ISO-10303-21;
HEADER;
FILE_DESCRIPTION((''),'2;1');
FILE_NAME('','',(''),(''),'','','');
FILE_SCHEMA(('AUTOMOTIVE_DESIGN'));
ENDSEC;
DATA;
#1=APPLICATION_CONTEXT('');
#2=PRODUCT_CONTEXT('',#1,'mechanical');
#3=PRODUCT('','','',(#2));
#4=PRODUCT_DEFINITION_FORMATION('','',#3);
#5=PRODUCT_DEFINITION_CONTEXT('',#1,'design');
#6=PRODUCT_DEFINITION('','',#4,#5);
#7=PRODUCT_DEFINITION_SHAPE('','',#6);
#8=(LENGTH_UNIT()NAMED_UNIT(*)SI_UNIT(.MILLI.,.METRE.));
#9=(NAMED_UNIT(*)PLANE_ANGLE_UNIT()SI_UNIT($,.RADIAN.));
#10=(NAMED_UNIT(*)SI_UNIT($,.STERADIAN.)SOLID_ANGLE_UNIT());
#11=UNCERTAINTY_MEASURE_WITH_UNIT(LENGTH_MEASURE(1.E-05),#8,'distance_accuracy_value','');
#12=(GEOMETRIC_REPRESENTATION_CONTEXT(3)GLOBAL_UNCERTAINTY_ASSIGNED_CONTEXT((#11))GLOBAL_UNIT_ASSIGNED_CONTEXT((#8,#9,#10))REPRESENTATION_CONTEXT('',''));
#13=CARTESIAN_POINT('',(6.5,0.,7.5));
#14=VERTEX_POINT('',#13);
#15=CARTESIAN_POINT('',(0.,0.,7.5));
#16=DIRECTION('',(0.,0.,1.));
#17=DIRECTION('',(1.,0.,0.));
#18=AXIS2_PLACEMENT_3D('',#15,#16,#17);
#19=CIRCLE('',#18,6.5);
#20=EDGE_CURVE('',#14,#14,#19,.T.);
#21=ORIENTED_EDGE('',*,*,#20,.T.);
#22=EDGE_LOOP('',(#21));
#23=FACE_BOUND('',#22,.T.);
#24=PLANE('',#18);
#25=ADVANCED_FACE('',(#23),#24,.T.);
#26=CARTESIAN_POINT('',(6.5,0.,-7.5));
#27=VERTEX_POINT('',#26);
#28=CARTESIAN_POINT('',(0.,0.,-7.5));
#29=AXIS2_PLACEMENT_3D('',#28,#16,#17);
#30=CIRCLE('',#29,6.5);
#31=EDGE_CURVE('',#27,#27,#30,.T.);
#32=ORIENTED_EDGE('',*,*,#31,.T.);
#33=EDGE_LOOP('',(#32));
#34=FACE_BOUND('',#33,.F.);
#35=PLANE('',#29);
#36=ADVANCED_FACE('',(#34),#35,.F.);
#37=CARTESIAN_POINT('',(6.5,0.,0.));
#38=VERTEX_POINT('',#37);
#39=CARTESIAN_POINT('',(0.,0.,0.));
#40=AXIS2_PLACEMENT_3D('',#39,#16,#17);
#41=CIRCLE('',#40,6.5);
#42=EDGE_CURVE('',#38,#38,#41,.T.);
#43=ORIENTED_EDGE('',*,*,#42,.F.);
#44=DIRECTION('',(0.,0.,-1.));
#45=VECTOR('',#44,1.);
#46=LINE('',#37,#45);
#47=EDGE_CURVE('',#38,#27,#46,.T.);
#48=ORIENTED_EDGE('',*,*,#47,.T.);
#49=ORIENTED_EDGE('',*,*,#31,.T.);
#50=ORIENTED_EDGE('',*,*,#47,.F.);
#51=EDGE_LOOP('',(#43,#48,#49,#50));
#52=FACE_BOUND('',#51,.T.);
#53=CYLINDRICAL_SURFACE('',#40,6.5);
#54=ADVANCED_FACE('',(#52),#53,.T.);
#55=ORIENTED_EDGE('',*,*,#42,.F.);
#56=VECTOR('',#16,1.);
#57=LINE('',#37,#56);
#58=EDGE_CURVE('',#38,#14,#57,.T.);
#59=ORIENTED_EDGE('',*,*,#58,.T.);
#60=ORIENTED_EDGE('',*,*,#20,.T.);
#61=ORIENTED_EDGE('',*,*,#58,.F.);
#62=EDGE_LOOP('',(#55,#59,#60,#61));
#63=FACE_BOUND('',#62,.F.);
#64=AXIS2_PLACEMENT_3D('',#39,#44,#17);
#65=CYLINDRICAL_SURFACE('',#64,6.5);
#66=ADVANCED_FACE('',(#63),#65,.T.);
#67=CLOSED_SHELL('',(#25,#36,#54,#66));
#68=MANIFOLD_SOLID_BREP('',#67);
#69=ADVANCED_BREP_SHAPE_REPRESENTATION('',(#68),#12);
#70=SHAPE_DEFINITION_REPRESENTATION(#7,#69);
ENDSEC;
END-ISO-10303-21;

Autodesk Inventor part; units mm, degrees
ref_plane "YZ Plane" through (0, 0, 0) normal (1, 0, 0) x (0, 1, 0)
ref_plane "XZ Plane" through (0, 0, 0) normal (0, 1, 0) x (-1, 0, 0)
ref_plane "XY Plane" through (0, 0, 0) normal (0, 0, 1) x (1, 0, 0)
sketch "Hauptskizze" plane through (0, 0, 0) normal (0, 0, 1) x (1, 0, 0)
  circle A0 centre (0, 0) radius 6.5
  dimension "d0" = 13
extrude "Riemenscheibe" add sketch "Hauptskizze" along normal mid plane 15
equation "\"d0\" = da_D"
equation "\"d1\" = da_B"
equation "\"da_D\" = 13"
equation "\"da_B\" = 15"
properties part number "Flache Riemenscheibe2" material "Steel"
